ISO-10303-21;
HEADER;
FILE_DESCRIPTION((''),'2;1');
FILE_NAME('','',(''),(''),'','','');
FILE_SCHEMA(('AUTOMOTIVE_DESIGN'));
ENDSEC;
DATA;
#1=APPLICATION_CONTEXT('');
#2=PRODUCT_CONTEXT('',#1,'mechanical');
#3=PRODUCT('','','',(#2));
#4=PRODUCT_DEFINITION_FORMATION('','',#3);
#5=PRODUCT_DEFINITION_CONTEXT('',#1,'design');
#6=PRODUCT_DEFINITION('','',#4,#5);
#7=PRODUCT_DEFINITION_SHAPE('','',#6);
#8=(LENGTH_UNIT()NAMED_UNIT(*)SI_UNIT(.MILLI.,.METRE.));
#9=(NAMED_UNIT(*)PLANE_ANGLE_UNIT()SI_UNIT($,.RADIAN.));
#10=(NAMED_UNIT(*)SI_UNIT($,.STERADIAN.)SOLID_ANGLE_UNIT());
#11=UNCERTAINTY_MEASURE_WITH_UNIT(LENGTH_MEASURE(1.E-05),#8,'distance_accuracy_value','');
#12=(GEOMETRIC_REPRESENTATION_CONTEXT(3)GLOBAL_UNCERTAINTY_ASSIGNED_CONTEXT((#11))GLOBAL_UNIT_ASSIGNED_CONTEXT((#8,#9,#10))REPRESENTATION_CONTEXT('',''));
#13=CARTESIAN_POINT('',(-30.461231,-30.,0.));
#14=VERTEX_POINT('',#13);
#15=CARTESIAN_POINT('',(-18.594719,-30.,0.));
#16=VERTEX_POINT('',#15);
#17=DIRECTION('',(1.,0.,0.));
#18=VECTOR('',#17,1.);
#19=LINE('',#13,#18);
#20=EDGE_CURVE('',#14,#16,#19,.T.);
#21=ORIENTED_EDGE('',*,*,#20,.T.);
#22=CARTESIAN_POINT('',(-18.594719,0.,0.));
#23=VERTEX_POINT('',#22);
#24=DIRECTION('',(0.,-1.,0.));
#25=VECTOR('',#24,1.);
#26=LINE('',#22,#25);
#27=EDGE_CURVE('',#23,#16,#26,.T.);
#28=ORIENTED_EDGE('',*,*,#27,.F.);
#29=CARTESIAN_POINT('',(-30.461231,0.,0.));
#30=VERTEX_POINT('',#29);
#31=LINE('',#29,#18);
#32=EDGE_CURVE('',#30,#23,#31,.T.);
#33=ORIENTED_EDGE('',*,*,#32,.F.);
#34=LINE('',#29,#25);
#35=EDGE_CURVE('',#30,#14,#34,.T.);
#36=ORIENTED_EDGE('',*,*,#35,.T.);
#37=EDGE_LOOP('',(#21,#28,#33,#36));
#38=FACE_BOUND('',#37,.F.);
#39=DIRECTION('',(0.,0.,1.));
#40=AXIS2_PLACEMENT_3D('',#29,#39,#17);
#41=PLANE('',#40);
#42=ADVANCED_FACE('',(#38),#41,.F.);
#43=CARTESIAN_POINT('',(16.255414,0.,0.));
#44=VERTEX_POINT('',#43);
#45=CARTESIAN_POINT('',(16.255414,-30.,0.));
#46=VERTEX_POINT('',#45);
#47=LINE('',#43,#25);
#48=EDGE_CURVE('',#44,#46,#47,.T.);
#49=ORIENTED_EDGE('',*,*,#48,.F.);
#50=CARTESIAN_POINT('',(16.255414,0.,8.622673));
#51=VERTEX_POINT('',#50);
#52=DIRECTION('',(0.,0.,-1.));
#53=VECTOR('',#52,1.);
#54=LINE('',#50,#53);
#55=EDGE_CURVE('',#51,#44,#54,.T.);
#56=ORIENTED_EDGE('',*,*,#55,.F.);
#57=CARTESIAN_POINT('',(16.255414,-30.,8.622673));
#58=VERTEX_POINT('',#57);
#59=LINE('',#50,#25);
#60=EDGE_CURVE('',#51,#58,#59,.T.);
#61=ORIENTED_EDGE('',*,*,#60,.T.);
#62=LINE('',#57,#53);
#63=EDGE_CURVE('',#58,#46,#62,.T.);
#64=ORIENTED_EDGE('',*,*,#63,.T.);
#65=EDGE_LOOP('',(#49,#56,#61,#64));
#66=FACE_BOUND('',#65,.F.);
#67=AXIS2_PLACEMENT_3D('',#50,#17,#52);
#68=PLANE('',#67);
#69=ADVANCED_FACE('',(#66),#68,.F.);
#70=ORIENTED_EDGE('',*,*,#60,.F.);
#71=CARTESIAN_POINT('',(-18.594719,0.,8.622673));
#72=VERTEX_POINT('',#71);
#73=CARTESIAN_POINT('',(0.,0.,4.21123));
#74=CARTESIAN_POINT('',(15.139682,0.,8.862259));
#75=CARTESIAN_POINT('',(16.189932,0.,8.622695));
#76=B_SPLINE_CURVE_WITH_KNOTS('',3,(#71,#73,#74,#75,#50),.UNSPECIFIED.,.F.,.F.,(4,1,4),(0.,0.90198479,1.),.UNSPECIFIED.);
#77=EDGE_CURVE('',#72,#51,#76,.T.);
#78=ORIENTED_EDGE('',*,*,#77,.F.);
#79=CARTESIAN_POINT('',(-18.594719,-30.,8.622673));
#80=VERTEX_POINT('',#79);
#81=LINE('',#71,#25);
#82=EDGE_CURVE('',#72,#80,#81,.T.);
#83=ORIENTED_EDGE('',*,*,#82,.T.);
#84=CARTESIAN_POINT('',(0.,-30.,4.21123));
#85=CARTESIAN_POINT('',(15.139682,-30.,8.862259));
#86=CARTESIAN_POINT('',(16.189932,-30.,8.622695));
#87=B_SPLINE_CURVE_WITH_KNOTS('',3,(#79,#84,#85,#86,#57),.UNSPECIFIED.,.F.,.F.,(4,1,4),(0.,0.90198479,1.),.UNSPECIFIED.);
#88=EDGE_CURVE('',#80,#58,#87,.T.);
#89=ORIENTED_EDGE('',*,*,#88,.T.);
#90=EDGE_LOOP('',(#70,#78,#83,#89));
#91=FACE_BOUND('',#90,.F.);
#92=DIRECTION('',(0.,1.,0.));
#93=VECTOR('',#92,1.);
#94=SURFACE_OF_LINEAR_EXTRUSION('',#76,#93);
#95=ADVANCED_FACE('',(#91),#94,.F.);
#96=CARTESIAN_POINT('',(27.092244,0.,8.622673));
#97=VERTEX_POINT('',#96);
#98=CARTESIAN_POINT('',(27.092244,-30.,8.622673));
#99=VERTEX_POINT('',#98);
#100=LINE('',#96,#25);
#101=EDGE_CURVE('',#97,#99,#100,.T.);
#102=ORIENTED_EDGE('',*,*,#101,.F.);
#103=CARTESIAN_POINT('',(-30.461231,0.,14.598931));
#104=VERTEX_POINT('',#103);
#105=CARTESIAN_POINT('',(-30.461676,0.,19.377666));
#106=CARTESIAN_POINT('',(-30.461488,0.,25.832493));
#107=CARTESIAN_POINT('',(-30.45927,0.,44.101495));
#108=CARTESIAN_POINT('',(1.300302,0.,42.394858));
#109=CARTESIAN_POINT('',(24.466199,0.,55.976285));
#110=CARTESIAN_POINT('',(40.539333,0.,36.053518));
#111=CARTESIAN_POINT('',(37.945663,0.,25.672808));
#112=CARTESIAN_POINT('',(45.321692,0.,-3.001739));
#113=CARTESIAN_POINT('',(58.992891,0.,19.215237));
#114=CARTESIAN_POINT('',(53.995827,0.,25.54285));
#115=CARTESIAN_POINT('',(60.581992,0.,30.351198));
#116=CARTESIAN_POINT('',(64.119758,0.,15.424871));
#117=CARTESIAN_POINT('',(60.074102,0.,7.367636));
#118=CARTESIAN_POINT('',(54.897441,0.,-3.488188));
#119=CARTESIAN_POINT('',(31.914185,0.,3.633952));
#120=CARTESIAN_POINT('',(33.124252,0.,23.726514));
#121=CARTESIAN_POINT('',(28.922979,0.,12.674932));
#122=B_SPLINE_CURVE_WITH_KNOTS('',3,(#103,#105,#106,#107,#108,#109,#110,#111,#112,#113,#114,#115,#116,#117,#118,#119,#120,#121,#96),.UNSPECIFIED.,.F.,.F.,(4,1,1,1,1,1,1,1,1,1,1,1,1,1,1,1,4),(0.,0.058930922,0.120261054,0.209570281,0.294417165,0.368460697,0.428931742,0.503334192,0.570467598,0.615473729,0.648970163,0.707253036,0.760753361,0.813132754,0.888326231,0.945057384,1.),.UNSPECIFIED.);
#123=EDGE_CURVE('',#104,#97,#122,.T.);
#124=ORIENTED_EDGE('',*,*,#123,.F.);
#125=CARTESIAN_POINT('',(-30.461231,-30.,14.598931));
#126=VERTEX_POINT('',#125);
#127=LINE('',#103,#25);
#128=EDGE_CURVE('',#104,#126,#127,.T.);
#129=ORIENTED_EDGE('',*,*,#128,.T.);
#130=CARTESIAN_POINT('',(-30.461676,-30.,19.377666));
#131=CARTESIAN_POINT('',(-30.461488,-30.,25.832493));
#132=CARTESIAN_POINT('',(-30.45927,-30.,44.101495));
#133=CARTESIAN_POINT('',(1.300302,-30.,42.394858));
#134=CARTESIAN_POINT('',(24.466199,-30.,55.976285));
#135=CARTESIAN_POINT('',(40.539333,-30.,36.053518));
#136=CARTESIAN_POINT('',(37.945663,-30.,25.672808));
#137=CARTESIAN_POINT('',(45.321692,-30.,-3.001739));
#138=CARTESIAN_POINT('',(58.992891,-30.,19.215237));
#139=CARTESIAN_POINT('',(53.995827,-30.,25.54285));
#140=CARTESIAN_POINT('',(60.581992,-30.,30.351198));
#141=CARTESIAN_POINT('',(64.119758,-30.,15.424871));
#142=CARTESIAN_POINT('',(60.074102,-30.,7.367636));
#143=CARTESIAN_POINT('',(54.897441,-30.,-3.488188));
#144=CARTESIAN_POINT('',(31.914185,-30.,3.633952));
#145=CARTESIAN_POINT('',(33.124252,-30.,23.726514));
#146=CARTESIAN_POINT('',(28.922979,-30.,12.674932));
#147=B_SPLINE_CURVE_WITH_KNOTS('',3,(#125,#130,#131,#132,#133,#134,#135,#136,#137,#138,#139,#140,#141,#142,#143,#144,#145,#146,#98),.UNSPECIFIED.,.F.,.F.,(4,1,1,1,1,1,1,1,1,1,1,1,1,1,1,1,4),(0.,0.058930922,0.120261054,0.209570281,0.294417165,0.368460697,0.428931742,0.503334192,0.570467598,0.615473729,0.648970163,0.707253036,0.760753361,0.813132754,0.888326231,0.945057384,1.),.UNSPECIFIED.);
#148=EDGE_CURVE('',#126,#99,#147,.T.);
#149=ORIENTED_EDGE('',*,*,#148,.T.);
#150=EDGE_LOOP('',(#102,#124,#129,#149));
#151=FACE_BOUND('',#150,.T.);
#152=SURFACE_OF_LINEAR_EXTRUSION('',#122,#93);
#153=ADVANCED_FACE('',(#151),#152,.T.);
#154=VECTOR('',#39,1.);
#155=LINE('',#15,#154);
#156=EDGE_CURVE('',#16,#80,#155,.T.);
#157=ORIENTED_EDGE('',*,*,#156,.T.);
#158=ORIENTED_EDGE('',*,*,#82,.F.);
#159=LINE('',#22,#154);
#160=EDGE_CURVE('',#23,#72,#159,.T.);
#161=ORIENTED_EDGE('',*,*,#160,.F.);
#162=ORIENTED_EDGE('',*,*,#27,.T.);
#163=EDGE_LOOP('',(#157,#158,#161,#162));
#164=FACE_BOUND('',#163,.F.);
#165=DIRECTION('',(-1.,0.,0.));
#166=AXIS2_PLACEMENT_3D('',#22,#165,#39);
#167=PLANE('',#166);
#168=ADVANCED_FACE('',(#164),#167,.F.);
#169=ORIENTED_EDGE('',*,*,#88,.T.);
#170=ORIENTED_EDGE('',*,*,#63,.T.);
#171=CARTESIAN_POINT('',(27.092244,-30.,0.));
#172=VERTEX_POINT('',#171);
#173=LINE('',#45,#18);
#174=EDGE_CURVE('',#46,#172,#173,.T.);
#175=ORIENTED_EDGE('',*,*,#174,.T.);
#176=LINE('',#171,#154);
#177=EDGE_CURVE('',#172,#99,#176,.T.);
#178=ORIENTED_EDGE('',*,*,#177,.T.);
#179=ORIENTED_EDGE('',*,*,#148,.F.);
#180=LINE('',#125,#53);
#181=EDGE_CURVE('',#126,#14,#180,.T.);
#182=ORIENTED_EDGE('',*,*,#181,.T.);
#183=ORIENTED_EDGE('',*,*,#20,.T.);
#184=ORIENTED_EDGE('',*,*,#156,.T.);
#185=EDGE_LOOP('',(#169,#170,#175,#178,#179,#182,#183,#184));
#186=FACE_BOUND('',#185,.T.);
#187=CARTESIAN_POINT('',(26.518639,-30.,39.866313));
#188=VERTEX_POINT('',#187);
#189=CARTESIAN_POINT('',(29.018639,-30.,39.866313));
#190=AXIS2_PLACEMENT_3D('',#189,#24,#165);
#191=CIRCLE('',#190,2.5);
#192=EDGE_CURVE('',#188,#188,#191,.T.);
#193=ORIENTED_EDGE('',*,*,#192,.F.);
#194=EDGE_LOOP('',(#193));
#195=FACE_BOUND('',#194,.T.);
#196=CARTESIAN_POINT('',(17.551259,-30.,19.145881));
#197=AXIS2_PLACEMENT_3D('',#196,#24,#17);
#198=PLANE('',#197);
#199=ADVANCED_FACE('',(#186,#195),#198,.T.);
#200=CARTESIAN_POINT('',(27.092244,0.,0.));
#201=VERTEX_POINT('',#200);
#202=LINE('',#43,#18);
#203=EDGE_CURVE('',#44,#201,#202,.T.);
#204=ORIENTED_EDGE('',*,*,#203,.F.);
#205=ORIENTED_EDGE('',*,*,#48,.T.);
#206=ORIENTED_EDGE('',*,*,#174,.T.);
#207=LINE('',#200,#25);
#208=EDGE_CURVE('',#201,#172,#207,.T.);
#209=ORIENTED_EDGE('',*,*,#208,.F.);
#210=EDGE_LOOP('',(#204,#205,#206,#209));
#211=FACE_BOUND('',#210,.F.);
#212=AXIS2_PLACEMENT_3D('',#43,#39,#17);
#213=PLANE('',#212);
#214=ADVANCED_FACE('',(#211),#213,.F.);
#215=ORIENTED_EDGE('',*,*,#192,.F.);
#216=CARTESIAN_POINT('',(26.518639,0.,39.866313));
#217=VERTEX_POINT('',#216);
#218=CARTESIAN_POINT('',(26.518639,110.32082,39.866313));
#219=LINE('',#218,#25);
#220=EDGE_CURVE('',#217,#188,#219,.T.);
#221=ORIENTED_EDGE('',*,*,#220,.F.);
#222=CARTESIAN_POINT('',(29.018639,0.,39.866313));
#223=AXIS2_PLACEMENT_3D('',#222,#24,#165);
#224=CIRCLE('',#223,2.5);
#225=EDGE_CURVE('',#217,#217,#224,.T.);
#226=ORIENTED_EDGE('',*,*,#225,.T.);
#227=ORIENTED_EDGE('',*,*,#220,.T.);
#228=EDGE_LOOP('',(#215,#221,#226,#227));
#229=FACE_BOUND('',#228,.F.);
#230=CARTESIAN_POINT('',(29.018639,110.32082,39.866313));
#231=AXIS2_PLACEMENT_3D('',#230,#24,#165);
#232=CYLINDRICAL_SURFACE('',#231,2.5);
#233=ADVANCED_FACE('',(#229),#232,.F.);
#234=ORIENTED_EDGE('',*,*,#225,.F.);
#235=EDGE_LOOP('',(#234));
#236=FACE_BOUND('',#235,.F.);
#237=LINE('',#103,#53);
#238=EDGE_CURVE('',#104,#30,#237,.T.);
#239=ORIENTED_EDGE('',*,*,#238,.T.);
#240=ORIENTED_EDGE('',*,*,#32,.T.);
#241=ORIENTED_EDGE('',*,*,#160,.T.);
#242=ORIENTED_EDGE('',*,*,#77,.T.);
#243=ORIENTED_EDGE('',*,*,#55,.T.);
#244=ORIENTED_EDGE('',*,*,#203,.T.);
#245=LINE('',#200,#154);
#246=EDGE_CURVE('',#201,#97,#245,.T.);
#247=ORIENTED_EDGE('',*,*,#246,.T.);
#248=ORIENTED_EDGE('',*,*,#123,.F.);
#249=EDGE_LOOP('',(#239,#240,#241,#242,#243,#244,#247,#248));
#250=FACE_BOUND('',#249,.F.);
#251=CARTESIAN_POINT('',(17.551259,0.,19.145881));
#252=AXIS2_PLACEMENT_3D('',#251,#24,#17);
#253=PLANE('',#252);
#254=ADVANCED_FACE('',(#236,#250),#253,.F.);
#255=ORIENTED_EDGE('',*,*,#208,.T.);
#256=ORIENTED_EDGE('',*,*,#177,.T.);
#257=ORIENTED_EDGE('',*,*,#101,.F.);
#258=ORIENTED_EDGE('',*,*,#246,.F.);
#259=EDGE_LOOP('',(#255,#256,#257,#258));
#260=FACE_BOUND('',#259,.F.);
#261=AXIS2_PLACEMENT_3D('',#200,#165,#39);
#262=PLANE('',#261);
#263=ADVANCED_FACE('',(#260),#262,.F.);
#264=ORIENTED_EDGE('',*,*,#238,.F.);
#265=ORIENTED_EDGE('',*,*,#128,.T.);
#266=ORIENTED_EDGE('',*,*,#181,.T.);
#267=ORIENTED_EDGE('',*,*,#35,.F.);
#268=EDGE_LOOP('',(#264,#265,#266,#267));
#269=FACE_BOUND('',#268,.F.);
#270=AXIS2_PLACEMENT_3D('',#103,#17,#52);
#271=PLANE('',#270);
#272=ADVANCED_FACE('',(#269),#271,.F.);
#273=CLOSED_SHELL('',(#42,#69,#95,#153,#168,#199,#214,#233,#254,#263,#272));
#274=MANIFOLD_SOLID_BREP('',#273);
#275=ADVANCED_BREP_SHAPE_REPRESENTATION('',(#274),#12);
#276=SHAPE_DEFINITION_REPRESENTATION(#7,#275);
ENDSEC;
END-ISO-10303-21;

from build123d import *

# Parameters (mm, degrees)
F1_DEPTH = 30
F3_D     = 5


with BuildPart() as f1:
    # F0 (on Front) → F1 (new body)
    with BuildSketch(Plane.XZ):
        with BuildLine():
            Line((-30.4612312466, 14.5989311859), (-30.4612312466, 0))
            Line((-30.4612312466, 0), (-18.5947185919, 0))
            Line((-18.5947185919, 0), (-18.5947185919, 8.6226732377))
            add(Edge.make_bspline(
                [(-18.5947185919, 8.6226732377), (0, 4.2112302035), (15.1396823433, 8.8622591034), (16.1899321461, 8.6226952725), (16.2554135418, 8.6226732377)],
                knots=[0, 0, 0, 0, 0.9019847903, 1, 1, 1, 1], degree=3))
            Line((16.2554135418, 8.6226732377), (16.2554135418, 0))
            Line((16.2554135418, 0), (27.0922444761, 0))
            Line((27.0922444761, 0), (27.0922444761, 8.6226732377))
            add(Edge.make_bspline(
                [(-30.4612312466, 14.5989311859), (-30.4616757945, 19.3776663119), (-30.4614880763, 25.8324932892), (-30.4592699143, 44.1014946655), (1.3003019693, 42.3948582165), (24.4661994071, 55.9762854831), (40.5393329741, 36.0535176134), (37.9456631746, 25.6728080273), (45.3216923934, -3.0017389058), (58.9928905431, 19.2152373489), (53.9958266169, 25.542850097), (60.5819916566, 30.3511982055), (64.1197577459, 15.4248710197), (60.0741024714, 7.3676355634), (54.8974405881, -3.4881878983), (31.914185006, 3.6339520781), (33.1242515924, 23.7265144688), (28.9229793328, 12.6749318537), (27.0922444761, 8.6226732377)],
                knots=[0, 0, 0, 0, 0.0589309223, 0.1202610542, 0.2095702812, 0.2944171648, 0.3684606969, 0.4289317422, 0.5033341921, 0.5704675984, 0.6154737293, 0.648970163, 0.7072530358, 0.7607533606, 0.8131327545, 0.8883262308, 0.9450573837, 1, 1, 1, 1], degree=3))
        make_face()
    extrude(amount=F1_DEPTH)

    # F3 (through all)
    with Locations(Plane(origin=(0, 0, 0), x_dir=(1, 0, 0), z_dir=(0, 1, 0))):
        with Locations((29.0186386555, -39.8663133383)):
            Hole(F3_D / 2)


solid = f1.part
